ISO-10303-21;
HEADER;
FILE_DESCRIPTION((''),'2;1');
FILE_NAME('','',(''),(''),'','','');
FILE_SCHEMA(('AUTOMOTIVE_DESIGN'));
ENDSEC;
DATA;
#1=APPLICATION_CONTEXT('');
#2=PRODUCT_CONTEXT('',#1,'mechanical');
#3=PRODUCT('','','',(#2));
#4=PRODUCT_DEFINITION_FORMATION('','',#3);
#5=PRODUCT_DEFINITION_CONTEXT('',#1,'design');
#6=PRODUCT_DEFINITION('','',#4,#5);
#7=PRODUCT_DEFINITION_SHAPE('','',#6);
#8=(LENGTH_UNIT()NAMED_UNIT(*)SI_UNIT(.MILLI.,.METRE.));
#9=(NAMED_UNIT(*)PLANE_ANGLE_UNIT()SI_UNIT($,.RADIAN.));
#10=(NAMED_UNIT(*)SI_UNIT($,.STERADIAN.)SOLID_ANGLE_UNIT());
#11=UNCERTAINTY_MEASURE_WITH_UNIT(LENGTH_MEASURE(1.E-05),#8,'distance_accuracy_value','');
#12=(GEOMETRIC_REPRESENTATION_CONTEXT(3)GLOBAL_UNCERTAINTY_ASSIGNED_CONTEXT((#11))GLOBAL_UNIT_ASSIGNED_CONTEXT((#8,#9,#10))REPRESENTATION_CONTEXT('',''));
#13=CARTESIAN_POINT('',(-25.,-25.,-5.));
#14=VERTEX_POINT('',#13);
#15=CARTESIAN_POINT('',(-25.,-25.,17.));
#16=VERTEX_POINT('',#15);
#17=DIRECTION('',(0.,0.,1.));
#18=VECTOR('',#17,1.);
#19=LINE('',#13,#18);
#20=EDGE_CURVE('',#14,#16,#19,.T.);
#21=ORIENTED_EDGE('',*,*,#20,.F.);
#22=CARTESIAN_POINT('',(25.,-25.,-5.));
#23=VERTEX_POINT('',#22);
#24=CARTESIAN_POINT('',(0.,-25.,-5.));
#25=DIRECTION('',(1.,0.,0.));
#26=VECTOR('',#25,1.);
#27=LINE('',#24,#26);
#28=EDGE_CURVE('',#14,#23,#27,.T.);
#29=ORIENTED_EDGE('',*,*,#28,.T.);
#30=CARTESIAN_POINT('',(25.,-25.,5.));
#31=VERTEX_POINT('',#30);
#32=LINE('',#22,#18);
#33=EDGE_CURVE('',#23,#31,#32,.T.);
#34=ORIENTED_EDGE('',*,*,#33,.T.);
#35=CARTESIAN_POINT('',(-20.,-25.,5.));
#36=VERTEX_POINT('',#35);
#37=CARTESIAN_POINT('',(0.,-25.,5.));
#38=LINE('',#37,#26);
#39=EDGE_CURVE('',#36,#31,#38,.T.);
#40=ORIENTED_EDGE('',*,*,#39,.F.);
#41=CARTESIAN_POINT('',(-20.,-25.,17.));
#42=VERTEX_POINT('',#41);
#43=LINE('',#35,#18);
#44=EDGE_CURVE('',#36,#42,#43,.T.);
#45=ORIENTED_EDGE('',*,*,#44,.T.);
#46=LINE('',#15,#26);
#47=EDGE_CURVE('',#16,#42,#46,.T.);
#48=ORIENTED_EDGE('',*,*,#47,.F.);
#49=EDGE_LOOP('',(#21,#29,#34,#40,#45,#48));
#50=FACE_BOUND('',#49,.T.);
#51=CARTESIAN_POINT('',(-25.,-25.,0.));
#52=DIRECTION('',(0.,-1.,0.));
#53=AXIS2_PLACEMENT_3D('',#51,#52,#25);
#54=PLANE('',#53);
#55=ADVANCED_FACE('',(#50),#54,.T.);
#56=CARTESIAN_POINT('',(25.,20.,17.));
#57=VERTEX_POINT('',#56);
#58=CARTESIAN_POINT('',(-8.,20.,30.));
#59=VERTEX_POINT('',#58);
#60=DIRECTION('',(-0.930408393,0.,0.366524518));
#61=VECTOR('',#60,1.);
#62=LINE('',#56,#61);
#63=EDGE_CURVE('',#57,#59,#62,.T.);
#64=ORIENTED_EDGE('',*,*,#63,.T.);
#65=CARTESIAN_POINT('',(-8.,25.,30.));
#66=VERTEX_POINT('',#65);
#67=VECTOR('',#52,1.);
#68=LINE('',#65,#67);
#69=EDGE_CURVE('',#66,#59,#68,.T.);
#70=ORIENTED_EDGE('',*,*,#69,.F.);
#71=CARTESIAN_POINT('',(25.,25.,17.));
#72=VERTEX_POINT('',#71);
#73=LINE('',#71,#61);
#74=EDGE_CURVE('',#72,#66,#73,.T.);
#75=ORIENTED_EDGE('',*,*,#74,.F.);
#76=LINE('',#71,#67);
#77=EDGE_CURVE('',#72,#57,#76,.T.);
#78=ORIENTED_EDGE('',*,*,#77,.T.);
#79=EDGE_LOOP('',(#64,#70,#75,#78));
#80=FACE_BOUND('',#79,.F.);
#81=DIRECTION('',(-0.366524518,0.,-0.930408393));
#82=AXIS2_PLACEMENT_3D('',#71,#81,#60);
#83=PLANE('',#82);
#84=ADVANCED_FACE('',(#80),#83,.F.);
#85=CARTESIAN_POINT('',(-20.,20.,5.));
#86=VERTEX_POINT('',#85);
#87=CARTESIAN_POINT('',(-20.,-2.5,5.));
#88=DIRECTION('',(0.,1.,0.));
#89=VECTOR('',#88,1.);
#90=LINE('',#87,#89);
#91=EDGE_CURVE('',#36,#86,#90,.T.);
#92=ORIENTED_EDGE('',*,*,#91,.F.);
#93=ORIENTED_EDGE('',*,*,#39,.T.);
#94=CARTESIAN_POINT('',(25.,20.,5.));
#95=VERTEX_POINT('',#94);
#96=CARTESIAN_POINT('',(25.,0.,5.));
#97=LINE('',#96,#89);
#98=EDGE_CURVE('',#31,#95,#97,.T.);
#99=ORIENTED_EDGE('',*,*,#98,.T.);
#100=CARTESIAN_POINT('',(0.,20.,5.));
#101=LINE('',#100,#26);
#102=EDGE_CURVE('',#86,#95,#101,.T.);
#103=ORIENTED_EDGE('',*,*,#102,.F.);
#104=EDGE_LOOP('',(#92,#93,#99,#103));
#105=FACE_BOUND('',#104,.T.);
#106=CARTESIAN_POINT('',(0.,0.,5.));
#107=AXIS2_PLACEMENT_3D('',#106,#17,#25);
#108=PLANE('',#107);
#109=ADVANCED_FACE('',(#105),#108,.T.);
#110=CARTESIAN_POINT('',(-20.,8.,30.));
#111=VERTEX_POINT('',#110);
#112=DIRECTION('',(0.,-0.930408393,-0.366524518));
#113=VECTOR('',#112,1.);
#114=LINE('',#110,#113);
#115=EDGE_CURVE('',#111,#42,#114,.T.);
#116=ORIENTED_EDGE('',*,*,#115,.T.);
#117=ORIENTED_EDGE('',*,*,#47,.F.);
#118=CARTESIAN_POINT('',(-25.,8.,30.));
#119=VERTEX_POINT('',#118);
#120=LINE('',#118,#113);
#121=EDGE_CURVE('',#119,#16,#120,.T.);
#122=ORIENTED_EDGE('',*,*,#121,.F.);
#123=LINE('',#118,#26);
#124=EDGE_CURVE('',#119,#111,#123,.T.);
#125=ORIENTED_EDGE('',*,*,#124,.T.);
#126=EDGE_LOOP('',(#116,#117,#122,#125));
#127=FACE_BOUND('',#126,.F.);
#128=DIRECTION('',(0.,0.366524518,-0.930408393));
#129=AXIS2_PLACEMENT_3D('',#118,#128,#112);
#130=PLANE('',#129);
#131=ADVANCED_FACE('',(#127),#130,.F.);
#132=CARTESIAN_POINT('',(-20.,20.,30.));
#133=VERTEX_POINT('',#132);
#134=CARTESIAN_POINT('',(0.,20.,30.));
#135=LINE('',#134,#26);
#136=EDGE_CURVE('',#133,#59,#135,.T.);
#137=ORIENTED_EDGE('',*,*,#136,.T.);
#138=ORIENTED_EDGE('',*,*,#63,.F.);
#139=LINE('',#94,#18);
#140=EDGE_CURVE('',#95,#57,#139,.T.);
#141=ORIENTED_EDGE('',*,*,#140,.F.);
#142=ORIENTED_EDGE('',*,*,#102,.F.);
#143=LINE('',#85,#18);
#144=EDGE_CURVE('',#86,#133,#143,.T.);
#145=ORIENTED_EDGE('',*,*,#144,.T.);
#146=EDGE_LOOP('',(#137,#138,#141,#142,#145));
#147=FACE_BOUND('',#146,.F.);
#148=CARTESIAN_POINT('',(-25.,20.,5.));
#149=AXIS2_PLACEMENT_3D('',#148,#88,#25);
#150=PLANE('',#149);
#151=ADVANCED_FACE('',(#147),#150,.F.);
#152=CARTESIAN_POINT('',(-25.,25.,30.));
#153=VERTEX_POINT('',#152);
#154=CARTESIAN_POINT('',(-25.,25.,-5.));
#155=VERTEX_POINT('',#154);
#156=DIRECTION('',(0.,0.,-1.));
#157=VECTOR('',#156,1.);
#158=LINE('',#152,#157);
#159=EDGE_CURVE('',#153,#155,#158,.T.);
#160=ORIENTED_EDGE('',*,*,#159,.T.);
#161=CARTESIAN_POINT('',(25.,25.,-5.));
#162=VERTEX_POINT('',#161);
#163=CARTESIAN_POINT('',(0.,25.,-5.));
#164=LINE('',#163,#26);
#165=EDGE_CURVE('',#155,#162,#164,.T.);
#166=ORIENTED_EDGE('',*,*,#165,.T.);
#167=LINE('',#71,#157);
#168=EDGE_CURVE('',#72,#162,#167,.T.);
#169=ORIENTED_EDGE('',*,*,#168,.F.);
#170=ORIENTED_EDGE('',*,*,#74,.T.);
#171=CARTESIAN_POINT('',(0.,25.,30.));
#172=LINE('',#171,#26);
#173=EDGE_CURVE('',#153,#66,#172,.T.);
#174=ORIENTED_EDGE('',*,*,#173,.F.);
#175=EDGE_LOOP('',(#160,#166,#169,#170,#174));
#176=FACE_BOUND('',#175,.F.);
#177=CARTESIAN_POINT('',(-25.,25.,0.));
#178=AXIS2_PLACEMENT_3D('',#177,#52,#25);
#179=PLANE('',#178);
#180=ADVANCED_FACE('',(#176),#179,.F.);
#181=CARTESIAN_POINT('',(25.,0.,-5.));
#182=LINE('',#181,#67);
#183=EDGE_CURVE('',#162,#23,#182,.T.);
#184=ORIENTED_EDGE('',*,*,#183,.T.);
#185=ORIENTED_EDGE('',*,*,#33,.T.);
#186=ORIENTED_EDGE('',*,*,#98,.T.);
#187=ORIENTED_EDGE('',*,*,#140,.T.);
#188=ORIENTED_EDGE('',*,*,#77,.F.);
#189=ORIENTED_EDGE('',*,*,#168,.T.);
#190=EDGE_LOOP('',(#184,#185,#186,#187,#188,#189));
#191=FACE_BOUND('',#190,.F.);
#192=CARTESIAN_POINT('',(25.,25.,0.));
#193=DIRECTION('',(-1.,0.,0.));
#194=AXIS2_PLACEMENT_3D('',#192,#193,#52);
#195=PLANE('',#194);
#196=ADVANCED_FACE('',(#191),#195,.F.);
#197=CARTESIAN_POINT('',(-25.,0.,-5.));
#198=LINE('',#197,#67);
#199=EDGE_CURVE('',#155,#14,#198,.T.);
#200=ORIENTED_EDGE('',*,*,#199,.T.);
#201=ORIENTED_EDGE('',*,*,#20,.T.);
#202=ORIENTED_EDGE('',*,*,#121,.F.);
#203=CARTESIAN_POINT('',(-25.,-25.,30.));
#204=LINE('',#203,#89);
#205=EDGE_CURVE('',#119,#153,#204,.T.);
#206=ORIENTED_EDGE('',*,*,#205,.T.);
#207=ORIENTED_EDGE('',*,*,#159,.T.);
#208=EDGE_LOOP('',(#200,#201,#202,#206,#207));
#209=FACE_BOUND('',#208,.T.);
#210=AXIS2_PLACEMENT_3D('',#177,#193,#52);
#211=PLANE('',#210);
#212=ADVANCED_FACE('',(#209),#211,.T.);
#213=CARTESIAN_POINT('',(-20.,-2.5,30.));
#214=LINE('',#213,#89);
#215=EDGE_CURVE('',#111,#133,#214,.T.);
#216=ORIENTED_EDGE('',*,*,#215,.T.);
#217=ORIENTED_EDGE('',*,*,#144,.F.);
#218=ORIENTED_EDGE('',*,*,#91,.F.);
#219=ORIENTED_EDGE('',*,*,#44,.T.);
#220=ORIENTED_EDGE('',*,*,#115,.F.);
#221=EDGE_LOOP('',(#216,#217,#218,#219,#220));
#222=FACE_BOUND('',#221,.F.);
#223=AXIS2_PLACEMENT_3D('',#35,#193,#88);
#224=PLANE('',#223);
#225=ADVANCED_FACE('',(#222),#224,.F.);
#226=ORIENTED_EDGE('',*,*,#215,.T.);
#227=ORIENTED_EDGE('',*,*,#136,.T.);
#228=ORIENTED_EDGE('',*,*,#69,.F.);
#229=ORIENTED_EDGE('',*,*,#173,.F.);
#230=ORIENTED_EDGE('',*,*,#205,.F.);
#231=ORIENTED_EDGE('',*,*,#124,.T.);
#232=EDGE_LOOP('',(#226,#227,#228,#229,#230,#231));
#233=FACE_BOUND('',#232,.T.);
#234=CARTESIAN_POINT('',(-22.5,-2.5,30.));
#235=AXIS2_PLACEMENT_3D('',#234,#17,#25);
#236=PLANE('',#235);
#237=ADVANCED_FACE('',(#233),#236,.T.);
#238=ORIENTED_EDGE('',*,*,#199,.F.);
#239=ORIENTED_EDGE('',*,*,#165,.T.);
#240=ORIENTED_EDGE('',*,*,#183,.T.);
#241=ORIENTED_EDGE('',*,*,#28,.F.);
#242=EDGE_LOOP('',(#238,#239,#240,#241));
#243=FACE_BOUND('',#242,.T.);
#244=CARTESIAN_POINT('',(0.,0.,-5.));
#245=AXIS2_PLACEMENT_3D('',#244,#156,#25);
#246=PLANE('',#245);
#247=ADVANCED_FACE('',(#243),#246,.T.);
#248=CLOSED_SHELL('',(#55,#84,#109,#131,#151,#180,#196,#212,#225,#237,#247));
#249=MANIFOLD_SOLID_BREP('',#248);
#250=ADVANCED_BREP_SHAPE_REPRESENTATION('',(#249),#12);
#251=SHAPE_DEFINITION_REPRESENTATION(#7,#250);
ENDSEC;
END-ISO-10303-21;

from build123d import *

# Parameters (mm, degrees)
F0_W      = 50
F0_H      = 50
F1_DEPTH  = 5
F2_W      = 50
F2_H      = 5
F3_DEPTH  = 25
F4_W      = 5
F4_H      = 45
F5_DEPTH  = 25
F7_DEPTH  = 5
F9_DEPTH  = 5
F10_W     = 50
F10_H     = 50
F11_DEPTH = 5


with BuildPart() as f1:
    # F0 (on Top) → F1 (new body)
    with BuildSketch(Plane.XY):
        Rectangle(F0_W, F0_H)
    extrude(amount=F1_DEPTH)

    # F2 (on face) → F3 (join)
    with BuildSketch(Plane.XY.offset(5)):
        with Locations((0, 22.5)):
            Rectangle(F2_W, F2_H)
    extrude(amount=F3_DEPTH)

    # F4 (on face) → F5 (join)
    with BuildSketch(Plane.XY.offset(5)):
        with Locations((-22.5, -2.5)):
            Rectangle(F4_W, F4_H)
    extrude(amount=F5_DEPTH)

    # F6 (on face) → F7 (cut)
    with BuildSketch(Plane(origin=(0, 25, 0), x_dir=(-1, 0, 0), z_dir=(0, 1, 0))):
        Polygon((-25, 30), (-25, 17), (8, 30), align=None)
    extrude(amount=-F7_DEPTH, mode=Mode.SUBTRACT)

    # F8 (on face) → F9 (cut)
    with BuildSketch(Plane(origin=(-25, 0, 0), x_dir=(0, -1, 0), z_dir=(-1, 0, 0))):
        Polygon((25, 30), (-8, 30), (25, 17), align=None)
    extrude(amount=-F9_DEPTH, mode=Mode.SUBTRACT)

    # F10 (on face) → F11 (join)
    with BuildSketch(Plane(origin=(0, 0, 0), x_dir=(1, 0, 0), z_dir=(0, 0, -1))):
        Rectangle(F10_W, F10_H)
    extrude(amount=F11_DEPTH)


solid = f1.part
